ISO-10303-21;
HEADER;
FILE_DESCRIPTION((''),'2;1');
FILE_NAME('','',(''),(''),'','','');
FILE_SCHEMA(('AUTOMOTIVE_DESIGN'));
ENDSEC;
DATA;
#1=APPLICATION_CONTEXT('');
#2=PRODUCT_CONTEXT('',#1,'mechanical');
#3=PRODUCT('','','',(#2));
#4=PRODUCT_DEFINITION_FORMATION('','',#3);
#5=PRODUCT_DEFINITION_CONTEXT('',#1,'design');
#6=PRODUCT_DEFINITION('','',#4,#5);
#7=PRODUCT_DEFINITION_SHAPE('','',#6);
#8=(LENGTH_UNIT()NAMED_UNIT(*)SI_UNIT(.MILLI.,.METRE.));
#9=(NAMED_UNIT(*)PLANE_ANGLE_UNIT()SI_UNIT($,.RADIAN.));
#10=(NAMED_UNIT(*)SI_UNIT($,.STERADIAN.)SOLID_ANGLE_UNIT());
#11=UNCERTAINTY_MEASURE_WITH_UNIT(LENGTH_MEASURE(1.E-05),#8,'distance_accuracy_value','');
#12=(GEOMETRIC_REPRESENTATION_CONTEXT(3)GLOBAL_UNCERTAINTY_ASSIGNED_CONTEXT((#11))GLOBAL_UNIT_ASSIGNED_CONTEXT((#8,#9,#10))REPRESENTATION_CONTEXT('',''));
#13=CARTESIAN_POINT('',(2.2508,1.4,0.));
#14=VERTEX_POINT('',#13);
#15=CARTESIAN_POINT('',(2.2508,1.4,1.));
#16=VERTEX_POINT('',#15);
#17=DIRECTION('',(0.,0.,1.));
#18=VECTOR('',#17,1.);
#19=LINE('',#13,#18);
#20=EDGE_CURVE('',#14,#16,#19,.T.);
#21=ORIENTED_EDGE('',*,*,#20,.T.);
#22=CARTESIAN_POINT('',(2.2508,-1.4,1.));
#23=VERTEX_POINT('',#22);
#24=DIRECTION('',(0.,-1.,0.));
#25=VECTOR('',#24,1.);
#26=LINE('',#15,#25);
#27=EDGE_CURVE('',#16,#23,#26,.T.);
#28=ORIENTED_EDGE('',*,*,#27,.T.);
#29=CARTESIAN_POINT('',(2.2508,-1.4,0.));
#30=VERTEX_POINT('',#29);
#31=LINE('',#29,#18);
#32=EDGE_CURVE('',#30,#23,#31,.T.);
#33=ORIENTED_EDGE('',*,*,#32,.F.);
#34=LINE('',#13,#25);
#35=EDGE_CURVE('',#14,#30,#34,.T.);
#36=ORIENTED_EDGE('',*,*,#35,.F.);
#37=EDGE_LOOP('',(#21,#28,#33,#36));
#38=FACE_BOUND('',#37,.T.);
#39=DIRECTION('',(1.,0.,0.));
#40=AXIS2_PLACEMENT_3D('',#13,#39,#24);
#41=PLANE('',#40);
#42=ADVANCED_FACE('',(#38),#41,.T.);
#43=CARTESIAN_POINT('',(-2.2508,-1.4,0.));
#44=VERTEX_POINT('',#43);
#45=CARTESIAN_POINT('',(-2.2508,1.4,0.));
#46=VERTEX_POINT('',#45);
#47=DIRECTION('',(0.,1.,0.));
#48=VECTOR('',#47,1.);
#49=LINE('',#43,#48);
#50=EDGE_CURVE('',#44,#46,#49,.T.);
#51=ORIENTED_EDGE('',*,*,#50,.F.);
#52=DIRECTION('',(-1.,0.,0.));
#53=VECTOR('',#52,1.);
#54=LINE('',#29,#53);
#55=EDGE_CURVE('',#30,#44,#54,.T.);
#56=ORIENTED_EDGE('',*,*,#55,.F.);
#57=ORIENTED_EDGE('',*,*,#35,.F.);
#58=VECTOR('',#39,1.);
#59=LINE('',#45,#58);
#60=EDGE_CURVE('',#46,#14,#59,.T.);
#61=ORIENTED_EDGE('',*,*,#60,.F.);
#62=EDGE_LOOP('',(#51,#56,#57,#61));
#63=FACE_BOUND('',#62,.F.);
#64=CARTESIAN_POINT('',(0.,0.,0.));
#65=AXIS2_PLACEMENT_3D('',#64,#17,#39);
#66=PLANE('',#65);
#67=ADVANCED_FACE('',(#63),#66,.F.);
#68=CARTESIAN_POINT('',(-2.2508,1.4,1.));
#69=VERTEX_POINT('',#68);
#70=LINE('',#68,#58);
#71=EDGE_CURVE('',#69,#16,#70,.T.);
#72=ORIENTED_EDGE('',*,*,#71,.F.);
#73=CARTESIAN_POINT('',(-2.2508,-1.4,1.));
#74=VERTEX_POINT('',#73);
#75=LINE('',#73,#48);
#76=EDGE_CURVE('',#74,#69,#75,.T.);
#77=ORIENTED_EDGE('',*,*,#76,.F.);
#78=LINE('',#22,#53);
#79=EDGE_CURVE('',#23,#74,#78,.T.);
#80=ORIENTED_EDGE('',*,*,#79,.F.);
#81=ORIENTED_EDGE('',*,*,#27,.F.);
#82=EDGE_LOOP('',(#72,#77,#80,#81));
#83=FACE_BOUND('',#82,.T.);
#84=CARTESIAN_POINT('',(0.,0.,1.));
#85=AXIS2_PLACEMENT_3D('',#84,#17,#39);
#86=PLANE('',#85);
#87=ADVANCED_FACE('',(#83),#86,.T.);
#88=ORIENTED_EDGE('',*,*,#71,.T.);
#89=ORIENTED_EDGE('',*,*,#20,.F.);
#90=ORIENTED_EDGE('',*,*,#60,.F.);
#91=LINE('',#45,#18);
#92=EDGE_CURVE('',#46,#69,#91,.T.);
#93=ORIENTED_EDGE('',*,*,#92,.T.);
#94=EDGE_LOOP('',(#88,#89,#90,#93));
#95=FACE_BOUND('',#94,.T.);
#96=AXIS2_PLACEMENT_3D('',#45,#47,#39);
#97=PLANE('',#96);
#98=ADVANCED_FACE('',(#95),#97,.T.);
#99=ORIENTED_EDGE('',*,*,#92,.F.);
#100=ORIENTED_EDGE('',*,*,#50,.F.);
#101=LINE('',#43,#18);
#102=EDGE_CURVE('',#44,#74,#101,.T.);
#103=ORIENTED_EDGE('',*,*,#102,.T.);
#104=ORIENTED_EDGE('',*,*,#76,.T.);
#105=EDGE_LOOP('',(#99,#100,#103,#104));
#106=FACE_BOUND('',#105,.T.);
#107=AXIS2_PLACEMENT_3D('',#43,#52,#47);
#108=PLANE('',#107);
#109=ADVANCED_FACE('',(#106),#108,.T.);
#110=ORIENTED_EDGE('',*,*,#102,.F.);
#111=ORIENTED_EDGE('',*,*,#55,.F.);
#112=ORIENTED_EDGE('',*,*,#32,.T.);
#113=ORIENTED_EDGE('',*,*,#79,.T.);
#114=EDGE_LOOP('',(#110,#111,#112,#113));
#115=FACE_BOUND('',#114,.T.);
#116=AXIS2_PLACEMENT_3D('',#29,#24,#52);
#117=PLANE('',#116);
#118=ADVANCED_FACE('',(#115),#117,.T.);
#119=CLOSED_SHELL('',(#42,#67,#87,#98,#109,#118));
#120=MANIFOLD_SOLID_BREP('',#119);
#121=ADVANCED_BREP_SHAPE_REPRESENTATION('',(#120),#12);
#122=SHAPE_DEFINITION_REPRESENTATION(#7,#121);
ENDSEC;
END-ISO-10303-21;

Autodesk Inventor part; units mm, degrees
ref_plane "YZ Plane" through (0, 0, 0) normal (1, 0, 0) x (0, 1, 0)
ref_plane "XZ Plane" through (0, 0, 0) normal (0, 1, 0) x (-1, 0, 0)
ref_plane "XY Plane" through (0, 0, 0) normal (0, 0, 1) x (1, 0, 0)
sketch "MURATA-FILTER_CSTCR, PIEZO_CSTCR4M00G15L99_95" plane through (0, 0, 0) normal (0, 0, 1) x (1, 0, 0)
  line L0 (-2.2508, 1.4) -> (2.2508, 1.4)
  line L1 (2.2508, 1.4) -> (2.2508, -1.4)
  line L2 (2.2508, -1.4) -> (-2.2508, -1.4)
  line L3 (-2.2508, -1.4) -> (-2.2508, 1.4)
extrude "Extrusion1" add sketch "MURATA-FILTER_CSTCR, PIEZO_CSTCR4M00G15L99_95" along normal blind 1
properties part number "PIEZO_CSTCR4M00G15L99"
